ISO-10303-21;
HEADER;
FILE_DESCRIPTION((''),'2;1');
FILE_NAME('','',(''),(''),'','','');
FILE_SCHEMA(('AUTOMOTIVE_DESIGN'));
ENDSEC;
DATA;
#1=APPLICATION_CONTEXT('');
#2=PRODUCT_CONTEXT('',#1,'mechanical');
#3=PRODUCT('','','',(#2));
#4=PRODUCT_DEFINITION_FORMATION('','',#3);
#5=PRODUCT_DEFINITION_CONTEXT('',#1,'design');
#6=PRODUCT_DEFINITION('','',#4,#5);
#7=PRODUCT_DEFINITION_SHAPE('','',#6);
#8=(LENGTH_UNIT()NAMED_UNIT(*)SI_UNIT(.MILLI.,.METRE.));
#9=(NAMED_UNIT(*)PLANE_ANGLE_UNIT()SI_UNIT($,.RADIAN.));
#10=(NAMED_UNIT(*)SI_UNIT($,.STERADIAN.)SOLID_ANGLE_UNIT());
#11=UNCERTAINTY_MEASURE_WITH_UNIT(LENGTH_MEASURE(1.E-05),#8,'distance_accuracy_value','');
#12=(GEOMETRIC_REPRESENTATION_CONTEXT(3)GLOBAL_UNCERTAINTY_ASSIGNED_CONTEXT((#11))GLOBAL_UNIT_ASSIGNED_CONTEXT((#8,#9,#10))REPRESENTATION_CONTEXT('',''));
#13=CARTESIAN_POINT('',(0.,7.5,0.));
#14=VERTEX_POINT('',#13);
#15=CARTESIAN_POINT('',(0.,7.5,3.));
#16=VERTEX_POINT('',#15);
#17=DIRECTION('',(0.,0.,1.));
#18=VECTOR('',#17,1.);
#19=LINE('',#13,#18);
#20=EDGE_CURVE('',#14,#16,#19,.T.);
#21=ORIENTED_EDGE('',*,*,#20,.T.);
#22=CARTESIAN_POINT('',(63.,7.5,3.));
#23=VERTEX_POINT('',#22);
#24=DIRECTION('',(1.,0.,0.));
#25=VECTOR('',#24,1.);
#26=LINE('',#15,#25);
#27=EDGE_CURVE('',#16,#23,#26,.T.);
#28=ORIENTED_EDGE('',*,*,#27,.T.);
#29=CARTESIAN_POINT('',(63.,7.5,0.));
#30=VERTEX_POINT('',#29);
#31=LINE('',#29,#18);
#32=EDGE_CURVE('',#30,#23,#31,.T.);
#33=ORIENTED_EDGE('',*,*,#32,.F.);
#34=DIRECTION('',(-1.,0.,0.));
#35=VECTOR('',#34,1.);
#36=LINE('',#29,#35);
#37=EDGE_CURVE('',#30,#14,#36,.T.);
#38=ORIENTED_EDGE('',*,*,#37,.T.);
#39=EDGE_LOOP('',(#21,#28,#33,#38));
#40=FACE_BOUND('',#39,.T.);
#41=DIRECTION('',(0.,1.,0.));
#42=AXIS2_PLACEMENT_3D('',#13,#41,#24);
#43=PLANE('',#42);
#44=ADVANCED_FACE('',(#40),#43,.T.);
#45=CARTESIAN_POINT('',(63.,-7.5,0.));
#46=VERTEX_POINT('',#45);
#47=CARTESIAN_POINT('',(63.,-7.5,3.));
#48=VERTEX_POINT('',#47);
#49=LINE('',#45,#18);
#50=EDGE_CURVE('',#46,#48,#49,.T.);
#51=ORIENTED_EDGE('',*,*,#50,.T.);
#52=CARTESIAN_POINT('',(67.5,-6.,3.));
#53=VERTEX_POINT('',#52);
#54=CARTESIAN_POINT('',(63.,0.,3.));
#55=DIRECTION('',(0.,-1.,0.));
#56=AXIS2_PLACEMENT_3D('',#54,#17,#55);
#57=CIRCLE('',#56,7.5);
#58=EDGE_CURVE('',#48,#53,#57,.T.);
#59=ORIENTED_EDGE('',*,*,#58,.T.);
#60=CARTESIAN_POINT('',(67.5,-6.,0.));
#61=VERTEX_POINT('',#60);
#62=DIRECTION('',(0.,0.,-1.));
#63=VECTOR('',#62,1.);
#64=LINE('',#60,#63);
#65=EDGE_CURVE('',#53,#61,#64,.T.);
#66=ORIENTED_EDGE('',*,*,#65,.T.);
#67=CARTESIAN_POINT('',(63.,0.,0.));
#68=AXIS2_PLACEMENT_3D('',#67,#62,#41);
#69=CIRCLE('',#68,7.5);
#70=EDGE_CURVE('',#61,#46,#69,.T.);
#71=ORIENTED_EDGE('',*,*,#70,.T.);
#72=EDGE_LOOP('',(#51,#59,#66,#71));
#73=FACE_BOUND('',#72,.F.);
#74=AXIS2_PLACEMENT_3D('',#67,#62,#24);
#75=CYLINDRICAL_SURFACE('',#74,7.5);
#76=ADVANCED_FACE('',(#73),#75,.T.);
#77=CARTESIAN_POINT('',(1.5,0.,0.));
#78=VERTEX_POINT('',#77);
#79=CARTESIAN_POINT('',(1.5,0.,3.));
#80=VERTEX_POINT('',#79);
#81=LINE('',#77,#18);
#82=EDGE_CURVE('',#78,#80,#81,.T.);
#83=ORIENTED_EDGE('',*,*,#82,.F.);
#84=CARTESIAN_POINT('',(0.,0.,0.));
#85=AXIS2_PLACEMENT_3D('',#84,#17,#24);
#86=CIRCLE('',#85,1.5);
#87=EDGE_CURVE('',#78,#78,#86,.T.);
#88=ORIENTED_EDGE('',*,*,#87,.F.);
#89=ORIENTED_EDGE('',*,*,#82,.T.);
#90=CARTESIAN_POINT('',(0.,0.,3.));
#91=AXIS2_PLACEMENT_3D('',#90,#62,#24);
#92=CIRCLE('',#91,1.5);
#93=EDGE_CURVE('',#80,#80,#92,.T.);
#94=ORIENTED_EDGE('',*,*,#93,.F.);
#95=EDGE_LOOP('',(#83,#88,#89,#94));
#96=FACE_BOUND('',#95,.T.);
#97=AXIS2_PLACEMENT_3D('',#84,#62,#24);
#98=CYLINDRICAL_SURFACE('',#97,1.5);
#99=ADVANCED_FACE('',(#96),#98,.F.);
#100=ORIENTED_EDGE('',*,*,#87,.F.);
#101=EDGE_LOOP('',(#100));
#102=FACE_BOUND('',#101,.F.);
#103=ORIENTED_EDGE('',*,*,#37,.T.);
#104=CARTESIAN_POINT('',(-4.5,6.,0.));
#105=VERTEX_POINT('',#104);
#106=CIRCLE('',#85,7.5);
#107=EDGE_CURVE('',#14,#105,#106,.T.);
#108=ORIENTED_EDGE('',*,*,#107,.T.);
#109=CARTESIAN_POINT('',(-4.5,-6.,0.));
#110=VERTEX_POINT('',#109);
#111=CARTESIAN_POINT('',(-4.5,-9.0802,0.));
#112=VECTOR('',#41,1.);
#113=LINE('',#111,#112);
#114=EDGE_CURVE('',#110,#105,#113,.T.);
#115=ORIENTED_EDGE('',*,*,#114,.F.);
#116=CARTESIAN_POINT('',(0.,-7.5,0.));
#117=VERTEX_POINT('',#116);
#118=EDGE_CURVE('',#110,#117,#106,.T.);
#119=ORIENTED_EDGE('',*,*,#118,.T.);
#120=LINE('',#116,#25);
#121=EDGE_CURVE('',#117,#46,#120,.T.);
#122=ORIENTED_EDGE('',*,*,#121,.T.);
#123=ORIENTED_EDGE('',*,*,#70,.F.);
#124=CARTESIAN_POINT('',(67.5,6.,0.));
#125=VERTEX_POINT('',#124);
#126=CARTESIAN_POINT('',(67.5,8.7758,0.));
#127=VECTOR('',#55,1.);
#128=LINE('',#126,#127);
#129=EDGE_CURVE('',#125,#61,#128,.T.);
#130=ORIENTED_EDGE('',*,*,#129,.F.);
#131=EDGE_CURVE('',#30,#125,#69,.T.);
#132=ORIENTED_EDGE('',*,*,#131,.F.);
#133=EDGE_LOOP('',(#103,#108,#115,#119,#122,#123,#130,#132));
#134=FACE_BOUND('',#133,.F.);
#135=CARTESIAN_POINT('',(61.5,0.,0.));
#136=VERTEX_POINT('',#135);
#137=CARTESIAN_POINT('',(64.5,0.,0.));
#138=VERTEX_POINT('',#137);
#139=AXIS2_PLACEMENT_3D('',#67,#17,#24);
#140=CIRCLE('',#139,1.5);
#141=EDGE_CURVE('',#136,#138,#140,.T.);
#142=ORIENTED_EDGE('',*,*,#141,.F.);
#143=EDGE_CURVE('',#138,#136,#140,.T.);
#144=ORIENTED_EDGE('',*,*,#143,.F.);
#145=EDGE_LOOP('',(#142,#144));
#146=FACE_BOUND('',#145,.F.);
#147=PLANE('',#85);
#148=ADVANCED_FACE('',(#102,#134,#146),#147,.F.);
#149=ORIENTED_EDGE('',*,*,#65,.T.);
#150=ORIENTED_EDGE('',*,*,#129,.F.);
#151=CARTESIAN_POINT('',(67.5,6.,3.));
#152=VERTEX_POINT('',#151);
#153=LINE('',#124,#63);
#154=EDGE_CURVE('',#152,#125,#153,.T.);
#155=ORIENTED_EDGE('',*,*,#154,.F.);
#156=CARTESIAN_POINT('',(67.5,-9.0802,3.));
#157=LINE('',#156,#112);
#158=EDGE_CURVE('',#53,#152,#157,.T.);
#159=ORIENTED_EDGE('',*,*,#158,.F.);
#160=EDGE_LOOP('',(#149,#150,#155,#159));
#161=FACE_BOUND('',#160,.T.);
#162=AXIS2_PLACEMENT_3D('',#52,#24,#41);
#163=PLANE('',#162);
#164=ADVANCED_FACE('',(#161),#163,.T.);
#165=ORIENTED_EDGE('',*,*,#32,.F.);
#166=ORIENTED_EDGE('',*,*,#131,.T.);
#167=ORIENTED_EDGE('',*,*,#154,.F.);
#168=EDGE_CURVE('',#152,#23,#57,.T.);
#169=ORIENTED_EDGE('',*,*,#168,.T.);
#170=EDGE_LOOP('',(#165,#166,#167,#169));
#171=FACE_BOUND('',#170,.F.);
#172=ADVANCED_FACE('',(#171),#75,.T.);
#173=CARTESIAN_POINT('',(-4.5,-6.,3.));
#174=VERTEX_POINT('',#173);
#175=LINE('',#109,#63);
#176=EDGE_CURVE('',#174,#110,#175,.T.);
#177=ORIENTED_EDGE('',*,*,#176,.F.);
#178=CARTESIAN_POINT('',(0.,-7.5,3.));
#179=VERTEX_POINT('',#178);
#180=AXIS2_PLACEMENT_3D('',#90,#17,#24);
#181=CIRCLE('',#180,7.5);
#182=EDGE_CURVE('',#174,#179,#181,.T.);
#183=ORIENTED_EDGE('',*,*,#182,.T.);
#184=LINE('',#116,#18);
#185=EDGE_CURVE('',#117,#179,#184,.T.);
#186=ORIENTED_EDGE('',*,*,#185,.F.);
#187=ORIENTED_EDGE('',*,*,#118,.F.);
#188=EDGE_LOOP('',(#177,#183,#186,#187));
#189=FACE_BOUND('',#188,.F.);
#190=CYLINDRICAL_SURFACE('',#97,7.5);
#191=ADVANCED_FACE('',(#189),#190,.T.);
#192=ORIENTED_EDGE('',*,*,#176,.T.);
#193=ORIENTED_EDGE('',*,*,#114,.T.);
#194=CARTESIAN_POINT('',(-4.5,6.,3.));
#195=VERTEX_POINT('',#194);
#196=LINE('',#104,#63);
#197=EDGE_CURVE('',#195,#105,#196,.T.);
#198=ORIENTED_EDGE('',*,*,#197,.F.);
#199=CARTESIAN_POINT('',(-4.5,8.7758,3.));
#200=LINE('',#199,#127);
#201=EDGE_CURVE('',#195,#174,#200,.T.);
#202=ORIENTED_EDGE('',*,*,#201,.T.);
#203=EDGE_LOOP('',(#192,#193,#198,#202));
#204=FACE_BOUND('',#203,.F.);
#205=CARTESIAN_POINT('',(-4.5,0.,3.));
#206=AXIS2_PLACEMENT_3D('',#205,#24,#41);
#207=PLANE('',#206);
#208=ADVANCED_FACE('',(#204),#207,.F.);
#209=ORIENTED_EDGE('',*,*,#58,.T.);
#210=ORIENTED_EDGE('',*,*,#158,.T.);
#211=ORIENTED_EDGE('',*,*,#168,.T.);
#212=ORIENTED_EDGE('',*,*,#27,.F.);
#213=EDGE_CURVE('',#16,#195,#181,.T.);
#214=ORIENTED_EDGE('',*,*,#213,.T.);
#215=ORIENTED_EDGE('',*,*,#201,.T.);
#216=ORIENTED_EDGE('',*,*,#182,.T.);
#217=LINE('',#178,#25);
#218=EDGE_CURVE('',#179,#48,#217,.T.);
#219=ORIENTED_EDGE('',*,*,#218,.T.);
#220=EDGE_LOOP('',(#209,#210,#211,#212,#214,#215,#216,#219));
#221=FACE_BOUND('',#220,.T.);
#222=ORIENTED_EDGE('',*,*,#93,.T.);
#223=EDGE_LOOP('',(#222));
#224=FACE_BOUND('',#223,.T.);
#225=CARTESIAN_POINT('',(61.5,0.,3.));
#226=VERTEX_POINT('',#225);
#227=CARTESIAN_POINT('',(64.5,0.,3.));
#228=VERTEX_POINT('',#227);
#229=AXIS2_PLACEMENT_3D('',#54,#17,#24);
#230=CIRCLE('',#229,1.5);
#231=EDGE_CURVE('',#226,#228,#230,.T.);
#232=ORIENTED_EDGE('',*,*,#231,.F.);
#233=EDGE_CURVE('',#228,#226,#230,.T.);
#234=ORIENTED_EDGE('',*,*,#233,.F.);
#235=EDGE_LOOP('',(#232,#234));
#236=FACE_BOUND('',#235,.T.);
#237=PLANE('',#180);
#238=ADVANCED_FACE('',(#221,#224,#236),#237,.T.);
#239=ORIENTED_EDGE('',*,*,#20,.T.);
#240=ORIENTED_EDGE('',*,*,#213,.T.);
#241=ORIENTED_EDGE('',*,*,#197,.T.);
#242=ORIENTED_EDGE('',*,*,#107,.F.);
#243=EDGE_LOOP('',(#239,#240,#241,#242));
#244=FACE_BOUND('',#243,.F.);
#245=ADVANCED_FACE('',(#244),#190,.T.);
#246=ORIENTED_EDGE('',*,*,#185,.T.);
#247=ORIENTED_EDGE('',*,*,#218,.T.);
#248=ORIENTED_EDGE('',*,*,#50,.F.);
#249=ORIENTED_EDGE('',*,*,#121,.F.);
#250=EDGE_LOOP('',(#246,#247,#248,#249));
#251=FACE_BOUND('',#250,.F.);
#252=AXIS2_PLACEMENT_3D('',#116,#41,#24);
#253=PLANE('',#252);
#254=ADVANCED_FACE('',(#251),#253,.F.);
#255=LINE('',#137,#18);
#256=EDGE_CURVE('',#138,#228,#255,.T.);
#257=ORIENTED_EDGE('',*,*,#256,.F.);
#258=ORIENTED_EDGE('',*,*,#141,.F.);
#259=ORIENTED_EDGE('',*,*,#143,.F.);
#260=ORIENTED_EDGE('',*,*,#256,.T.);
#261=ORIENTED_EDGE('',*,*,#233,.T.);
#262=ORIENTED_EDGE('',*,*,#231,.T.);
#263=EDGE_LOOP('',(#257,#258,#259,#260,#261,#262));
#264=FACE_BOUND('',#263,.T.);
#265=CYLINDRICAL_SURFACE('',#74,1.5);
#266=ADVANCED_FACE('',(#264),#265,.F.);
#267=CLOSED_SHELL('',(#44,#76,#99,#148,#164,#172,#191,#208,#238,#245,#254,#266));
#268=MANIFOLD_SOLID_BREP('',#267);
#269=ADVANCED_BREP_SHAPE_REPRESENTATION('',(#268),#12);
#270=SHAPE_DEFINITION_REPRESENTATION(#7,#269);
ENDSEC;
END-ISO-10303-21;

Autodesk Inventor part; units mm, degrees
ref_plane "YZ Plane" through (0, 0, 0) normal (1, 0, 0) x (0, 1, 0)
ref_plane "XZ Plane" through (0, 0, 0) normal (0, 1, 0) x (-1, 0, 0)
ref_plane "XY Plane" through (0, 0, 0) normal (0, 0, 1) x (1, 0, 0)
sketch "Boceto1" plane through (0, 0, 0) normal (0, 0, 1) x (1, 0, 0)
  circle A0 centre (0, 0) radius 1.5
  line L0 (0, 0) -> (63, 0)
  circle A1 centre (63, 0) radius 1.5
  line L1 (0, 0) -> (0, 7.5)
  circle A2 centre (0, 0) radius 7.5
  line L2 (31.5, 0) -> (31.5, 8.9606)
  circle A3 centre (63, 0) radius 7.5
  line L3 (0, 7.5) -> (63, 7.5)
  line L4 (0, -7.5) -> (63, -7.5)
  dimension "d0" = 3
  dimension "d1" = 63
  dimension "d2" = 3
  dimension "d4" = 7.5
extrude "Extrusión1" add sketch "Boceto1" along normal blind 3 contours L0 A2 L1 A0 | A0 L1 A2 L0 | A2 L3 L2 L0 | L0 A3 L4 A2 | L2 L3 A3 L0 | A3
sketch "Boceto2" plane through (0, 0, 3) normal (0, 0, 1) x (1, 0, 0)
  arc A0 (63, -7.5) -> (63, 7.5) centre (63, 0) ccw projected
  line L0 (70.5, 0) -> (67.5, 0)
  line L1 (67.5, 8.7758) -> (71.624, 8.7758)
  line L2 (71.624, 8.7758) -> (71.624, -9.0802)
  line L3 (71.624, -9.0802) -> (67.5, -9.0802)
  line L4 (67.5, -9.0802) -> (67.5, 8.7758)
  line L5 (63, 7.5) -> (0, 7.5) projected
  line L6 (31.5, 7.5) -> (31.5, 16.2706)
  arc A1 (0, 7.5) -> (0, -7.5) centre (0, 0) ccw
  line L7 (-7.5, 0) -> (-4.5, 0)
  line L8 (-4.5, 8.7758) -> (-8.624, 8.7758)
  line L9 (-8.624, 8.7758) -> (-8.624, -9.0802)
  line L10 (-8.624, -9.0802) -> (-4.5, -9.0802)
  line L11 (-4.5, -9.0802) -> (-4.5, 8.7758)
  point P0 (0, 0)
  dimension "d7" = 3
extrude "Extrusión2" cut sketch "Boceto2" against normal blind 3
properties part number "piezaboton"
